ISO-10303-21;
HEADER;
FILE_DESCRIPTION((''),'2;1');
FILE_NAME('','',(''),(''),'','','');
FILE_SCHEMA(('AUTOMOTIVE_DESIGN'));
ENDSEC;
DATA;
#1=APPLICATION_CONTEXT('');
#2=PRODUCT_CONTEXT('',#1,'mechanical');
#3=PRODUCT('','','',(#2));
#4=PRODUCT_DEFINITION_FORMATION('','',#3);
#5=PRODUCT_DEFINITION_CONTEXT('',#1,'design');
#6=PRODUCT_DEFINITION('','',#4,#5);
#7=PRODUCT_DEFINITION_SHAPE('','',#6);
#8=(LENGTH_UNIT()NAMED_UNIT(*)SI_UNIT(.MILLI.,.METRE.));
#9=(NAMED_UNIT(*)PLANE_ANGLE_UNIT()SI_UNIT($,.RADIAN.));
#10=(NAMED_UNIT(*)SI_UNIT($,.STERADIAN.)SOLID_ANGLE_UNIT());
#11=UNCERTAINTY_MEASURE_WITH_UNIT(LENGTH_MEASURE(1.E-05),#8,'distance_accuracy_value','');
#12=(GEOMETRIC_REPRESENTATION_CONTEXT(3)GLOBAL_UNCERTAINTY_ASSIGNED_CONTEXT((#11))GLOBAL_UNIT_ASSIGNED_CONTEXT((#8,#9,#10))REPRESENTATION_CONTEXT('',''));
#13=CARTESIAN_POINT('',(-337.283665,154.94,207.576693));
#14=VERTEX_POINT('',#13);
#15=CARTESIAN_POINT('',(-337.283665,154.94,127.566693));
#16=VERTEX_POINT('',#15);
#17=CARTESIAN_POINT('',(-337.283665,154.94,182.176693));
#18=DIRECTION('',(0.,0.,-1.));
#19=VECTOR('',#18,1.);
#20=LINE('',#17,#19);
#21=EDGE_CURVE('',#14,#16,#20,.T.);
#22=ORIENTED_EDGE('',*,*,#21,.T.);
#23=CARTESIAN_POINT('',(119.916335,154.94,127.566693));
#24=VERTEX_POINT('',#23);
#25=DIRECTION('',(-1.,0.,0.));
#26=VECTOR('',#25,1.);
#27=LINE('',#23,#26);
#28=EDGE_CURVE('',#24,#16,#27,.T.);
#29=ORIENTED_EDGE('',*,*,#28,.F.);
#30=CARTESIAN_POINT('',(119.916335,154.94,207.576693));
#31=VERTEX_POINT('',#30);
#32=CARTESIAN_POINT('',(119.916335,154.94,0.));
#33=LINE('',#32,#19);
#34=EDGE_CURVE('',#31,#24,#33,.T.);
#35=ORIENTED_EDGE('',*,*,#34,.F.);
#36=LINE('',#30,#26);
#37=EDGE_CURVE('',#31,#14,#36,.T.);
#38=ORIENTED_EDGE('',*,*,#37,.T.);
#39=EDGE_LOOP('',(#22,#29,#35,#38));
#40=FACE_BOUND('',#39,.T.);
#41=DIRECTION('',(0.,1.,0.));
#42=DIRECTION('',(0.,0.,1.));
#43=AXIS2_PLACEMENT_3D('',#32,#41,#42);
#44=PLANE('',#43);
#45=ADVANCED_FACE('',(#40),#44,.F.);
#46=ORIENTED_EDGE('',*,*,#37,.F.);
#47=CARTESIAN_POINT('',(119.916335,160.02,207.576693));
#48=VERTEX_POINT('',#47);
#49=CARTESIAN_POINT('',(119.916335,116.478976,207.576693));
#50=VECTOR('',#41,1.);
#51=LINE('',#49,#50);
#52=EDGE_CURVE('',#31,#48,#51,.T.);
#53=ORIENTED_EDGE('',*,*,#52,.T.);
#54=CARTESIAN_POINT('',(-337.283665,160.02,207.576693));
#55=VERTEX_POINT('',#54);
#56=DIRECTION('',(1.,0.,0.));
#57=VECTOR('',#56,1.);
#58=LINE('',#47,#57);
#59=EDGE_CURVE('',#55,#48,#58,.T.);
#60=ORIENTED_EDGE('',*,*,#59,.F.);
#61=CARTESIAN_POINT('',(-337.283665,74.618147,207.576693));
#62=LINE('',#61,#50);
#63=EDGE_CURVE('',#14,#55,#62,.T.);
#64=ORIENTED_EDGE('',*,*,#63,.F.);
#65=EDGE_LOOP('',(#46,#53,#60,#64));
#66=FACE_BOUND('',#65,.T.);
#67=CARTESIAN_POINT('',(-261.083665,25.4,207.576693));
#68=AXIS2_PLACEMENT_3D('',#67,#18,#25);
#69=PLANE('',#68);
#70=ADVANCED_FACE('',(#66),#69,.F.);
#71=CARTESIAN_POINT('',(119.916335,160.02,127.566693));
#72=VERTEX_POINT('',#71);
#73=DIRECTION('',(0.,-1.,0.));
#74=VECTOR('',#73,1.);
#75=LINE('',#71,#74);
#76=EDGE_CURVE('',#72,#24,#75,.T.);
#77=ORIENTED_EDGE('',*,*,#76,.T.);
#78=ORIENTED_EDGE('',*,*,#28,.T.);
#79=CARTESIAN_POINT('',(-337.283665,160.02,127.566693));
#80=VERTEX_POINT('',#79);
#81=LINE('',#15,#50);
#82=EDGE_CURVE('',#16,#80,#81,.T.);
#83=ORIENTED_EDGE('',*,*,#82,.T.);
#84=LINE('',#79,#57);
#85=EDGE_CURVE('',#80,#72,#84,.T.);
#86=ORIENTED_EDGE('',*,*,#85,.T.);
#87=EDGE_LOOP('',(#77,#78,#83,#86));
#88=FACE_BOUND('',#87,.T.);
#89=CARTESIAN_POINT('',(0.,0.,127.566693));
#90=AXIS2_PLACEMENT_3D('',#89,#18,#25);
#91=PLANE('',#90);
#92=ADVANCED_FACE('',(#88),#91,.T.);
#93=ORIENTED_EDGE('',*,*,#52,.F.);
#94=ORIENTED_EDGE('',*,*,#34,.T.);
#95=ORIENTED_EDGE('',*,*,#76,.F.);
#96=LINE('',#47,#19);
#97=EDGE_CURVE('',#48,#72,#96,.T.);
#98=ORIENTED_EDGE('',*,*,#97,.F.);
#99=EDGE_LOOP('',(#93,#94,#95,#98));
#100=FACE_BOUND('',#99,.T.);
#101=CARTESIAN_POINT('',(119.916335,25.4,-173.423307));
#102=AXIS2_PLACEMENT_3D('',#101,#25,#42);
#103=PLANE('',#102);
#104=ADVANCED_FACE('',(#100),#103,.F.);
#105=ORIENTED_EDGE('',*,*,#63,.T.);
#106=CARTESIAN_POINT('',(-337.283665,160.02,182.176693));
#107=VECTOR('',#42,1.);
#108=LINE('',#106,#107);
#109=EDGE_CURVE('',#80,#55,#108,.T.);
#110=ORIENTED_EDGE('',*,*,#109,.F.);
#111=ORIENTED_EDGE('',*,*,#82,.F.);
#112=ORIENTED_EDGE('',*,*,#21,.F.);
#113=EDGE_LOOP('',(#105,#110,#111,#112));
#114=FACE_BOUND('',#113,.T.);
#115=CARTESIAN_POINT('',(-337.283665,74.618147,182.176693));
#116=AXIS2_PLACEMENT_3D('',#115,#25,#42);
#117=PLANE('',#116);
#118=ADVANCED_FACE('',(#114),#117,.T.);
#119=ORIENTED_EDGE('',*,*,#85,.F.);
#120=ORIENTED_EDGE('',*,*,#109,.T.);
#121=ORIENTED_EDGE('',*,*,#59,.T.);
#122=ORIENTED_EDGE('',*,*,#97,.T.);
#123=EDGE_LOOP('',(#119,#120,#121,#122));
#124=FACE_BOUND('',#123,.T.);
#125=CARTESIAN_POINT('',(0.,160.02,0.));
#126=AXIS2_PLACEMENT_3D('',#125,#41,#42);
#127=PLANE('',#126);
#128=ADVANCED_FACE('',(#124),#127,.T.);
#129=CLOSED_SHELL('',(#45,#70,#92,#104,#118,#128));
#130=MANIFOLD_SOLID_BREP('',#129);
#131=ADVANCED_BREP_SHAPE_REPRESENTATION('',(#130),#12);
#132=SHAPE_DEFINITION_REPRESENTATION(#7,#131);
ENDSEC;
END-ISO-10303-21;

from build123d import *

# Parameters (mm, degrees)
SKETCH1_W           = 381
SKETCH1_H           = 381
BOSS_EXTRUDE1_DEPTH = 25.4
FILLET1_R           = 25.4
BOSS_EXTRUDE2_START = 127
BOSS_EXTRUDE2_DEPTH = 127
FILLET5_R           = 2.54
FILLET6_R           = 2.54
SKETCH3_W           = 381
SKETCH3_H           = 45.536829563
BOSS_EXTRUDE3_DEPTH = 127
CUT_EXTRUDE1_START  = -127
CUT_EXTRUDE1_DEPTH  = 127
CUT_EXTRUDE2_START  = -127
CUT_EXTRUDE2_DEPTH  = 127
SKETCH7_W           = 159.592910526
SKETCH7_H           = 279.668363548
CUT_EXTRUDE3_DEPTH  = 540.805557869
CUT_EXTRUDE4_DEPTH  = 121.92
SKETCH10_W          = 12.830407975
SKETCH10_H          = 5.381034355
SKETCH10_W_2        = 12.189915085
SKETCH10_H_2        = 7.553204363
BOSS_EXTRUDE4_DEPTH = 5.08
SKETCH12_W          = 381
SKETCH12_H          = 5.08
BOSS_EXTRUDE5_DEPTH = 5.842
SKETCH14_W          = 25.4
SKETCH14_H          = 25.4
BOSS_EXTRUDE6_DEPTH = 5.08
SKETCH15_W          = 381
SKETCH15_H          = 25.4
BOSS_EXTRUDE7_DEPTH = 2.54
SKETCH18_W          = 25.978829563
SKETCH18_H          = 5.08
CUT_EXTRUDE6_DEPTH  = 463.44511455
SKETCH19_W          = 25.4
SKETCH19_H          = 2.54
CUT_EXTRUDE7_DEPTH  = 463.44511455
SKETCH21_W          = 76.2
SKETCH21_H          = 25.4
BOSS_EXTRUDE8_DEPTH = 5.08
SKETCH22_W          = 457.2
SKETCH22_H          = 5.08
BOSS_EXTRUDE9_DEPTH = 54.61


with BuildPart() as part:
    # Sketch1 → Boss-Extrude1 (new body)
    with BuildSketch(Plane(origin=(0, 0, 0), x_dir=(1, 0, 0), z_dir=(0, 1, 0))):
        with Locations((-70.583665339, -17.076693227)):
            Rectangle(SKETCH1_W, SKETCH1_H)
    extrude(amount=BOSS_EXTRUDE1_DEPTH)

    # Fillet1
    fillet1_edges = [part.edges().sort_by_distance(p)[0] for p in [
        (-261.083665339, 12.7, -173.423306773),
        (119.916334661, 12.7, -173.423306773),
        (119.916334661, 12.7, 207.576693227),
        (-261.083665339, 12.7, 207.576693227),
    ]]
    fillet(fillet1_edges, radius=FILLET1_R)

    # Sketch2 → Boss-Extrude2 (add)
    with BuildSketch(Plane(origin=(0, 25.4, 0), x_dir=(1, 0, 0), z_dir=(0, 1, 0)).offset(BOSS_EXTRUDE2_START)):
        with BuildLine():
            ThreePointArc((94.516334661, -207.576693227), (112.476846903, -200.137205469), (119.916334661, -182.176693227))
            Line((119.916334661, -182.176693227), (119.916334661, -162.77058906))
            ThreePointArc((119.916334661, -162.77058906), (115.157902312, -162.131654008), (110.356896004, -162.096230085))
            Line((110.356896004, -162.096230085), (110.356896004, -169.819933243))
            ThreePointArc((110.356896004, -169.819933243), (110.63661406, -173.531591416), (110.356896004, -177.243249589))
            ThreePointArc((110.356896004, -177.243249589), (103.383001842, -191.043360408), (89.582891024, -198.017254569))
            ThreePointArc((89.582891024, -198.017254569), (85.871232851, -198.296972625), (82.159574678, -198.017254569))
            Line((82.159574678, -198.017254569), (74.435871519, -198.017254569))
            ThreePointArc((74.435871519, -198.017254569), (74.471295442, -202.818260878), (75.110230494, -207.576693227))
            Line((75.110230494, -207.576693227), (94.516334661, -207.576693227))
        make_face()
        with BuildLine():
            ThreePointArc((110.356896004, 127.942843631), (115.157902312, 127.978267553), (119.916334661, 128.617202605))
            Line((119.916334661, 128.617202605), (119.916334661, 148.023306773))
            ThreePointArc((119.916334661, 148.023306773), (112.476846903, 165.983819015), (94.516334661, 173.423306773))
            Line((94.516334661, 173.423306773), (75.110230494, 173.423306773))
            ThreePointArc((75.110230494, 173.423306773), (74.471295442, 168.664874423), (74.435871519, 163.863868115))
            Line((74.435871519, 163.863868115), (82.159574678, 163.863868115))
            ThreePointArc((82.159574678, 163.863868115), (85.871232851, 164.143586171), (89.582891024, 163.863868115))
            ThreePointArc((89.582891024, 163.863868115), (103.383001842, 156.889973954), (110.356896004, 143.089863135))
            ThreePointArc((110.356896004, 143.089863135), (110.63661406, 139.378204962), (110.356896004, 135.666546789))
            Line((110.356896004, 135.666546789), (110.356896004, 127.942843631))
        make_face()
        with BuildLine():
            Line((-235.683665339, -207.576693227), (-216.277561171, -207.576693227))
            ThreePointArc((-216.277561171, -207.576693227), (-215.638626119, -202.818260878), (-215.603202197, -198.017254569))
            Line((-215.603202197, -198.017254569), (-223.326905355, -198.017254569))
            ThreePointArc((-223.326905355, -198.017254569), (-227.038563528, -198.296972625), (-230.750221701, -198.017254569))
            ThreePointArc((-230.750221701, -198.017254569), (-244.55033252, -191.043360408), (-251.524226681, -177.243249589))
            ThreePointArc((-251.524226681, -177.243249589), (-251.803944737, -173.531591416), (-251.524226681, -169.819933243))
            Line((-251.524226681, -169.819933243), (-251.524226681, -162.096230085))
            ThreePointArc((-251.524226681, -162.096230085), (-256.325232989, -162.131654008), (-261.083665339, -162.77058906))
            Line((-261.083665339, -162.77058906), (-261.083665339, -182.176693227))
            ThreePointArc((-261.083665339, -182.176693227), (-253.644177581, -200.137205469), (-235.683665339, -207.576693227))
        make_face()
        with BuildLine():
            ThreePointArc((-215.603202197, 163.863868115), (-215.638626119, 168.664874423), (-216.277561171, 173.423306773))
            Line((-216.277561171, 173.423306773), (-235.683665339, 173.423306773))
            ThreePointArc((-235.683665339, 173.423306773), (-253.644177581, 165.983819015), (-261.083665339, 148.023306773))
            Line((-261.083665339, 148.023306773), (-261.083665339, 128.617202605))
            ThreePointArc((-261.083665339, 128.617202605), (-256.325232989, 127.978267553), (-251.524226681, 127.942843631))
            Line((-251.524226681, 127.942843631), (-251.524226681, 135.666546789))
            ThreePointArc((-251.524226681, 135.666546789), (-251.803944737, 139.378204962), (-251.524226681, 143.089863135))
            ThreePointArc((-251.524226681, 143.089863135), (-244.55033252, 156.889973954), (-230.750221701, 163.863868115))
            ThreePointArc((-230.750221701, 163.863868115), (-227.038563528, 164.143586171), (-223.326905355, 163.863868115))
            Line((-223.326905355, 163.863868115), (-215.603202197, 163.863868115))
        make_face()
    extrude(amount=-BOSS_EXTRUDE2_DEPTH)

    # Fillet5
    fillet5_edges = [part.edges().sort_by_distance(p)[0] for p in [
        (74.435871519, 88.9, -163.863868115),
        (110.356896004, 88.9, -127.942843631),
        (119.916334661, 88.9, -128.617202605),
        (75.110230494, 88.9, -173.423306773),
    ]]
    fillet(fillet5_edges, radius=FILLET5_R)

    # Fillet6
    fillet6_edges = [part.edges().sort_by_distance(p)[0] for p in [
        (-215.603202197, 88.9, -163.863868115),
        (-216.277561171, 88.9, -173.423306773),
        (-261.083665339, 88.9, -128.617202605),
        (-251.524226681, 88.9, -127.942843631),
        (74.435871519, 88.9, 198.017254569),
        (75.110230494, 88.9, 207.576693227),
        (119.916334661, 88.9, 162.77058906),
        (110.356896004, 88.9, 162.096230085),
        (-216.277561171, 88.9, 207.576693227),
        (-215.603202197, 88.9, 198.017254569),
        (-251.524226681, 88.9, 162.096230085),
        (-261.083665339, 88.9, 162.77058906),
    ]]
    fillet(fillet6_edges, radius=FILLET6_R)

    # Sketch3 → Boss-Extrude3 (add)
    with BuildSketch(Plane(origin=(0, 152.4, 0), x_dir=(1, 0, 0), z_dir=(0, 1, 0))):
        with Locations((-70.583665339, -184.808278446)):
            Rectangle(SKETCH3_W, SKETCH3_H)
    extrude(amount=BOSS_EXTRUDE3_DEPTH)

    # Sketch5 → Cut-Extrude1 (cut)
    with BuildSketch(Plane.XZ.offset(-152.4).offset(CUT_EXTRUDE1_START)):
        with BuildLine():
            Line((-261.083665339, 162.039863664), (-261.083665339, 164.916350572))
            ThreePointArc((-261.083665339, 164.916350572), (-260.459455915, 163.248613642), (-258.89362875, 162.400575222))
            ThreePointArc((-258.89362875, 162.400575222), (-256.499630965, 162.144358959), (-254.094230188, 162.039863664))
            Line((-254.094230188, 162.039863664), (-261.083665339, 162.039863664))
        make_face()
        with BuildLine():
            Line((-261.083665339, 207.576693227), (-235.683665339, 207.576693227))
            ThreePointArc((-235.683665339, 207.576693227), (-253.644177581, 200.137205469), (-261.083665339, 182.176693227))
            Line((-261.083665339, 182.176693227), (-261.083665339, 207.576693227))
        make_face()
    extrude(amount=CUT_EXTRUDE1_DEPTH, mode=Mode.SUBTRACT)

    # Sketch6 → Cut-Extrude2 (cut)
    with BuildSketch(Plane.XZ.offset(-152.4).offset(CUT_EXTRUDE2_START)):
        with BuildLine():
            Line((119.916334661, 162.039863664), (112.926899511, 162.039863664))
            ThreePointArc((112.926899511, 162.039863664), (115.332300288, 162.144358959), (117.726298073, 162.400575222))
            ThreePointArc((117.726298073, 162.400575222), (119.292125238, 163.248613642), (119.916334661, 164.916350572))
            Line((119.916334661, 164.916350572), (119.916334661, 162.039863664))
        make_face()
        with BuildLine():
            Line((119.916334661, 207.576693227), (119.916334661, 182.176693227))
            ThreePointArc((119.916334661, 182.176693227), (112.476846903, 200.137205469), (94.516334661, 207.576693227))
            Line((94.516334661, 207.576693227), (119.916334661, 207.576693227))
        make_face()
    extrude(amount=CUT_EXTRUDE2_DEPTH, mode=Mode.SUBTRACT)

    # Sketch7 → Cut-Extrude3 (cut, through all)
    with BuildSketch(Plane.XY.offset(207.576693227)):
        with Locations((-277.192611624, 12.565818226)):
            Rectangle(SKETCH7_W, SKETCH7_H)
        Polygon((188.205407311, 152.4), (-197.396156361, 152.4), (-197.396156361, -127.268363548), (-197.396156361, -138.930106511), (188.205407311, -138.930106511), align=None)
    extrude(amount=-CUT_EXTRUDE3_DEPTH, mode=Mode.SUBTRACT)

    # Sketch9 → Cut-Extrude4 (cut)
    with BuildSketch(Plane(origin=(0, 279.4, 0), x_dir=(1, 0, 0), z_dir=(0, 1, 0))):
        with BuildLine():
            Line((112.926899511, -162.039863664), (-254.094230188, -162.039863664))
            ThreePointArc((-254.094230188, -162.039863664), (-256.499630965, -162.144358959), (-258.89362875, -162.400575222))
            ThreePointArc((-258.89362875, -162.400575222), (-260.459455915, -163.248613642), (-261.083665339, -164.916350572))
            Line((-261.083665339, -164.916350572), (-261.083665339, -182.176693227))
            ThreePointArc((-261.083665339, -182.176693227), (-253.644177581, -200.137205469), (-235.683665339, -207.576693227))
            Line((-235.683665339, -207.576693227), (94.516334661, -207.576693227))
            ThreePointArc((94.516334661, -207.576693227), (112.476846903, -200.137205469), (119.916334661, -182.176693227))
            Line((119.916334661, -182.176693227), (119.916334661, -164.916350572))
            ThreePointArc((119.916334661, -164.916350572), (119.292125238, -163.248613642), (117.726298073, -162.400575222))
            ThreePointArc((117.726298073, -162.400575222), (115.332300288, -162.144358959), (112.926899511, -162.039863664))
        make_face()
    extrude(amount=-CUT_EXTRUDE4_DEPTH, mode=Mode.SUBTRACT)

    # Sketch10 → Boss-Extrude4 (add)
    with BuildSketch(Plane(origin=(0, 157.48, 0), x_dir=(1, 0, 0), z_dir=(0, 1, 0))):
        with Locations((-254.668461352, -164.730380842)):
            Rectangle(SKETCH10_W, SKETCH10_H)
        with Locations((113.821377119, -165.816465846)):
            Rectangle(SKETCH10_W_2, SKETCH10_H_2)
    extrude(amount=-BOSS_EXTRUDE4_DEPTH)

    # Sketch12 → Boss-Extrude5 (add)
    with BuildSketch(Plane(origin=(0, 0, 162.039863664), x_dir=(-1, 0, 0), z_dir=(0, 0, -1))):
        with Locations((70.583665339, 154.94)):
            Rectangle(SKETCH12_W, SKETCH12_H)
    extrude(amount=BOSS_EXTRUDE5_DEPTH)

    # Sketch14 → Boss-Extrude6 (add)
    with BuildSketch(Plane(origin=(0, 157.48, 0), x_dir=(1, 0, 0), z_dir=(0, 1, 0))):
        with Locations((107.216334661, -194.876693227)):
            Rectangle(SKETCH14_W, SKETCH14_H)
        with Locations((-248.383665339, -194.876693227)):
            Rectangle(SKETCH14_W, SKETCH14_H)
    extrude(amount=-BOSS_EXTRUDE6_DEPTH)

    # Sketch15 → Boss-Extrude7 (add)
    with BuildSketch(Plane(origin=(0, 157.48, 0), x_dir=(1, 0, 0), z_dir=(0, 1, 0))):
        with Locations((-70.583665339, -194.876693227)):
            Rectangle(SKETCH15_W, SKETCH15_H)
    extrude(amount=BOSS_EXTRUDE7_DEPTH)

    # Sketch18 → Cut-Extrude6 (cut, through all)
    with BuildSketch(Plane.ZY.offset(261.083665339)):
        with Locations((169.187278445, 154.94)):
            Rectangle(SKETCH18_W, SKETCH18_H)
    extrude(amount=-CUT_EXTRUDE6_DEPTH, mode=Mode.SUBTRACT)

    # Sketch19 → Cut-Extrude7 (cut, through all)
    with BuildSketch(Plane.ZY.offset(261.083665339)):
        with Locations((194.876693227, 153.67)):
            Rectangle(SKETCH19_W, SKETCH19_H)
    extrude(amount=-CUT_EXTRUDE7_DEPTH, mode=Mode.SUBTRACT)

    # Sketch21 → Boss-Extrude8 (add)
    with BuildSketch(Plane(origin=(0, 160.02, 0), x_dir=(1, 0, 0), z_dir=(0, 1, 0))):
        with Locations((-299.183665339, -194.876693227)):
            Rectangle(SKETCH21_W, SKETCH21_H)
    extrude(amount=-BOSS_EXTRUDE8_DEPTH)

    # Sketch22 → Boss-Extrude9 (add)
    with BuildSketch(Plane(origin=(0, 0, 182.176693227), x_dir=(-1, 0, 0), z_dir=(0, 0, -1))):
        with Locations((108.683665339, 157.48)):
            Rectangle(SKETCH22_W, SKETCH22_H)
    extrude(amount=BOSS_EXTRUDE9_DEPTH)


solid = part.part
